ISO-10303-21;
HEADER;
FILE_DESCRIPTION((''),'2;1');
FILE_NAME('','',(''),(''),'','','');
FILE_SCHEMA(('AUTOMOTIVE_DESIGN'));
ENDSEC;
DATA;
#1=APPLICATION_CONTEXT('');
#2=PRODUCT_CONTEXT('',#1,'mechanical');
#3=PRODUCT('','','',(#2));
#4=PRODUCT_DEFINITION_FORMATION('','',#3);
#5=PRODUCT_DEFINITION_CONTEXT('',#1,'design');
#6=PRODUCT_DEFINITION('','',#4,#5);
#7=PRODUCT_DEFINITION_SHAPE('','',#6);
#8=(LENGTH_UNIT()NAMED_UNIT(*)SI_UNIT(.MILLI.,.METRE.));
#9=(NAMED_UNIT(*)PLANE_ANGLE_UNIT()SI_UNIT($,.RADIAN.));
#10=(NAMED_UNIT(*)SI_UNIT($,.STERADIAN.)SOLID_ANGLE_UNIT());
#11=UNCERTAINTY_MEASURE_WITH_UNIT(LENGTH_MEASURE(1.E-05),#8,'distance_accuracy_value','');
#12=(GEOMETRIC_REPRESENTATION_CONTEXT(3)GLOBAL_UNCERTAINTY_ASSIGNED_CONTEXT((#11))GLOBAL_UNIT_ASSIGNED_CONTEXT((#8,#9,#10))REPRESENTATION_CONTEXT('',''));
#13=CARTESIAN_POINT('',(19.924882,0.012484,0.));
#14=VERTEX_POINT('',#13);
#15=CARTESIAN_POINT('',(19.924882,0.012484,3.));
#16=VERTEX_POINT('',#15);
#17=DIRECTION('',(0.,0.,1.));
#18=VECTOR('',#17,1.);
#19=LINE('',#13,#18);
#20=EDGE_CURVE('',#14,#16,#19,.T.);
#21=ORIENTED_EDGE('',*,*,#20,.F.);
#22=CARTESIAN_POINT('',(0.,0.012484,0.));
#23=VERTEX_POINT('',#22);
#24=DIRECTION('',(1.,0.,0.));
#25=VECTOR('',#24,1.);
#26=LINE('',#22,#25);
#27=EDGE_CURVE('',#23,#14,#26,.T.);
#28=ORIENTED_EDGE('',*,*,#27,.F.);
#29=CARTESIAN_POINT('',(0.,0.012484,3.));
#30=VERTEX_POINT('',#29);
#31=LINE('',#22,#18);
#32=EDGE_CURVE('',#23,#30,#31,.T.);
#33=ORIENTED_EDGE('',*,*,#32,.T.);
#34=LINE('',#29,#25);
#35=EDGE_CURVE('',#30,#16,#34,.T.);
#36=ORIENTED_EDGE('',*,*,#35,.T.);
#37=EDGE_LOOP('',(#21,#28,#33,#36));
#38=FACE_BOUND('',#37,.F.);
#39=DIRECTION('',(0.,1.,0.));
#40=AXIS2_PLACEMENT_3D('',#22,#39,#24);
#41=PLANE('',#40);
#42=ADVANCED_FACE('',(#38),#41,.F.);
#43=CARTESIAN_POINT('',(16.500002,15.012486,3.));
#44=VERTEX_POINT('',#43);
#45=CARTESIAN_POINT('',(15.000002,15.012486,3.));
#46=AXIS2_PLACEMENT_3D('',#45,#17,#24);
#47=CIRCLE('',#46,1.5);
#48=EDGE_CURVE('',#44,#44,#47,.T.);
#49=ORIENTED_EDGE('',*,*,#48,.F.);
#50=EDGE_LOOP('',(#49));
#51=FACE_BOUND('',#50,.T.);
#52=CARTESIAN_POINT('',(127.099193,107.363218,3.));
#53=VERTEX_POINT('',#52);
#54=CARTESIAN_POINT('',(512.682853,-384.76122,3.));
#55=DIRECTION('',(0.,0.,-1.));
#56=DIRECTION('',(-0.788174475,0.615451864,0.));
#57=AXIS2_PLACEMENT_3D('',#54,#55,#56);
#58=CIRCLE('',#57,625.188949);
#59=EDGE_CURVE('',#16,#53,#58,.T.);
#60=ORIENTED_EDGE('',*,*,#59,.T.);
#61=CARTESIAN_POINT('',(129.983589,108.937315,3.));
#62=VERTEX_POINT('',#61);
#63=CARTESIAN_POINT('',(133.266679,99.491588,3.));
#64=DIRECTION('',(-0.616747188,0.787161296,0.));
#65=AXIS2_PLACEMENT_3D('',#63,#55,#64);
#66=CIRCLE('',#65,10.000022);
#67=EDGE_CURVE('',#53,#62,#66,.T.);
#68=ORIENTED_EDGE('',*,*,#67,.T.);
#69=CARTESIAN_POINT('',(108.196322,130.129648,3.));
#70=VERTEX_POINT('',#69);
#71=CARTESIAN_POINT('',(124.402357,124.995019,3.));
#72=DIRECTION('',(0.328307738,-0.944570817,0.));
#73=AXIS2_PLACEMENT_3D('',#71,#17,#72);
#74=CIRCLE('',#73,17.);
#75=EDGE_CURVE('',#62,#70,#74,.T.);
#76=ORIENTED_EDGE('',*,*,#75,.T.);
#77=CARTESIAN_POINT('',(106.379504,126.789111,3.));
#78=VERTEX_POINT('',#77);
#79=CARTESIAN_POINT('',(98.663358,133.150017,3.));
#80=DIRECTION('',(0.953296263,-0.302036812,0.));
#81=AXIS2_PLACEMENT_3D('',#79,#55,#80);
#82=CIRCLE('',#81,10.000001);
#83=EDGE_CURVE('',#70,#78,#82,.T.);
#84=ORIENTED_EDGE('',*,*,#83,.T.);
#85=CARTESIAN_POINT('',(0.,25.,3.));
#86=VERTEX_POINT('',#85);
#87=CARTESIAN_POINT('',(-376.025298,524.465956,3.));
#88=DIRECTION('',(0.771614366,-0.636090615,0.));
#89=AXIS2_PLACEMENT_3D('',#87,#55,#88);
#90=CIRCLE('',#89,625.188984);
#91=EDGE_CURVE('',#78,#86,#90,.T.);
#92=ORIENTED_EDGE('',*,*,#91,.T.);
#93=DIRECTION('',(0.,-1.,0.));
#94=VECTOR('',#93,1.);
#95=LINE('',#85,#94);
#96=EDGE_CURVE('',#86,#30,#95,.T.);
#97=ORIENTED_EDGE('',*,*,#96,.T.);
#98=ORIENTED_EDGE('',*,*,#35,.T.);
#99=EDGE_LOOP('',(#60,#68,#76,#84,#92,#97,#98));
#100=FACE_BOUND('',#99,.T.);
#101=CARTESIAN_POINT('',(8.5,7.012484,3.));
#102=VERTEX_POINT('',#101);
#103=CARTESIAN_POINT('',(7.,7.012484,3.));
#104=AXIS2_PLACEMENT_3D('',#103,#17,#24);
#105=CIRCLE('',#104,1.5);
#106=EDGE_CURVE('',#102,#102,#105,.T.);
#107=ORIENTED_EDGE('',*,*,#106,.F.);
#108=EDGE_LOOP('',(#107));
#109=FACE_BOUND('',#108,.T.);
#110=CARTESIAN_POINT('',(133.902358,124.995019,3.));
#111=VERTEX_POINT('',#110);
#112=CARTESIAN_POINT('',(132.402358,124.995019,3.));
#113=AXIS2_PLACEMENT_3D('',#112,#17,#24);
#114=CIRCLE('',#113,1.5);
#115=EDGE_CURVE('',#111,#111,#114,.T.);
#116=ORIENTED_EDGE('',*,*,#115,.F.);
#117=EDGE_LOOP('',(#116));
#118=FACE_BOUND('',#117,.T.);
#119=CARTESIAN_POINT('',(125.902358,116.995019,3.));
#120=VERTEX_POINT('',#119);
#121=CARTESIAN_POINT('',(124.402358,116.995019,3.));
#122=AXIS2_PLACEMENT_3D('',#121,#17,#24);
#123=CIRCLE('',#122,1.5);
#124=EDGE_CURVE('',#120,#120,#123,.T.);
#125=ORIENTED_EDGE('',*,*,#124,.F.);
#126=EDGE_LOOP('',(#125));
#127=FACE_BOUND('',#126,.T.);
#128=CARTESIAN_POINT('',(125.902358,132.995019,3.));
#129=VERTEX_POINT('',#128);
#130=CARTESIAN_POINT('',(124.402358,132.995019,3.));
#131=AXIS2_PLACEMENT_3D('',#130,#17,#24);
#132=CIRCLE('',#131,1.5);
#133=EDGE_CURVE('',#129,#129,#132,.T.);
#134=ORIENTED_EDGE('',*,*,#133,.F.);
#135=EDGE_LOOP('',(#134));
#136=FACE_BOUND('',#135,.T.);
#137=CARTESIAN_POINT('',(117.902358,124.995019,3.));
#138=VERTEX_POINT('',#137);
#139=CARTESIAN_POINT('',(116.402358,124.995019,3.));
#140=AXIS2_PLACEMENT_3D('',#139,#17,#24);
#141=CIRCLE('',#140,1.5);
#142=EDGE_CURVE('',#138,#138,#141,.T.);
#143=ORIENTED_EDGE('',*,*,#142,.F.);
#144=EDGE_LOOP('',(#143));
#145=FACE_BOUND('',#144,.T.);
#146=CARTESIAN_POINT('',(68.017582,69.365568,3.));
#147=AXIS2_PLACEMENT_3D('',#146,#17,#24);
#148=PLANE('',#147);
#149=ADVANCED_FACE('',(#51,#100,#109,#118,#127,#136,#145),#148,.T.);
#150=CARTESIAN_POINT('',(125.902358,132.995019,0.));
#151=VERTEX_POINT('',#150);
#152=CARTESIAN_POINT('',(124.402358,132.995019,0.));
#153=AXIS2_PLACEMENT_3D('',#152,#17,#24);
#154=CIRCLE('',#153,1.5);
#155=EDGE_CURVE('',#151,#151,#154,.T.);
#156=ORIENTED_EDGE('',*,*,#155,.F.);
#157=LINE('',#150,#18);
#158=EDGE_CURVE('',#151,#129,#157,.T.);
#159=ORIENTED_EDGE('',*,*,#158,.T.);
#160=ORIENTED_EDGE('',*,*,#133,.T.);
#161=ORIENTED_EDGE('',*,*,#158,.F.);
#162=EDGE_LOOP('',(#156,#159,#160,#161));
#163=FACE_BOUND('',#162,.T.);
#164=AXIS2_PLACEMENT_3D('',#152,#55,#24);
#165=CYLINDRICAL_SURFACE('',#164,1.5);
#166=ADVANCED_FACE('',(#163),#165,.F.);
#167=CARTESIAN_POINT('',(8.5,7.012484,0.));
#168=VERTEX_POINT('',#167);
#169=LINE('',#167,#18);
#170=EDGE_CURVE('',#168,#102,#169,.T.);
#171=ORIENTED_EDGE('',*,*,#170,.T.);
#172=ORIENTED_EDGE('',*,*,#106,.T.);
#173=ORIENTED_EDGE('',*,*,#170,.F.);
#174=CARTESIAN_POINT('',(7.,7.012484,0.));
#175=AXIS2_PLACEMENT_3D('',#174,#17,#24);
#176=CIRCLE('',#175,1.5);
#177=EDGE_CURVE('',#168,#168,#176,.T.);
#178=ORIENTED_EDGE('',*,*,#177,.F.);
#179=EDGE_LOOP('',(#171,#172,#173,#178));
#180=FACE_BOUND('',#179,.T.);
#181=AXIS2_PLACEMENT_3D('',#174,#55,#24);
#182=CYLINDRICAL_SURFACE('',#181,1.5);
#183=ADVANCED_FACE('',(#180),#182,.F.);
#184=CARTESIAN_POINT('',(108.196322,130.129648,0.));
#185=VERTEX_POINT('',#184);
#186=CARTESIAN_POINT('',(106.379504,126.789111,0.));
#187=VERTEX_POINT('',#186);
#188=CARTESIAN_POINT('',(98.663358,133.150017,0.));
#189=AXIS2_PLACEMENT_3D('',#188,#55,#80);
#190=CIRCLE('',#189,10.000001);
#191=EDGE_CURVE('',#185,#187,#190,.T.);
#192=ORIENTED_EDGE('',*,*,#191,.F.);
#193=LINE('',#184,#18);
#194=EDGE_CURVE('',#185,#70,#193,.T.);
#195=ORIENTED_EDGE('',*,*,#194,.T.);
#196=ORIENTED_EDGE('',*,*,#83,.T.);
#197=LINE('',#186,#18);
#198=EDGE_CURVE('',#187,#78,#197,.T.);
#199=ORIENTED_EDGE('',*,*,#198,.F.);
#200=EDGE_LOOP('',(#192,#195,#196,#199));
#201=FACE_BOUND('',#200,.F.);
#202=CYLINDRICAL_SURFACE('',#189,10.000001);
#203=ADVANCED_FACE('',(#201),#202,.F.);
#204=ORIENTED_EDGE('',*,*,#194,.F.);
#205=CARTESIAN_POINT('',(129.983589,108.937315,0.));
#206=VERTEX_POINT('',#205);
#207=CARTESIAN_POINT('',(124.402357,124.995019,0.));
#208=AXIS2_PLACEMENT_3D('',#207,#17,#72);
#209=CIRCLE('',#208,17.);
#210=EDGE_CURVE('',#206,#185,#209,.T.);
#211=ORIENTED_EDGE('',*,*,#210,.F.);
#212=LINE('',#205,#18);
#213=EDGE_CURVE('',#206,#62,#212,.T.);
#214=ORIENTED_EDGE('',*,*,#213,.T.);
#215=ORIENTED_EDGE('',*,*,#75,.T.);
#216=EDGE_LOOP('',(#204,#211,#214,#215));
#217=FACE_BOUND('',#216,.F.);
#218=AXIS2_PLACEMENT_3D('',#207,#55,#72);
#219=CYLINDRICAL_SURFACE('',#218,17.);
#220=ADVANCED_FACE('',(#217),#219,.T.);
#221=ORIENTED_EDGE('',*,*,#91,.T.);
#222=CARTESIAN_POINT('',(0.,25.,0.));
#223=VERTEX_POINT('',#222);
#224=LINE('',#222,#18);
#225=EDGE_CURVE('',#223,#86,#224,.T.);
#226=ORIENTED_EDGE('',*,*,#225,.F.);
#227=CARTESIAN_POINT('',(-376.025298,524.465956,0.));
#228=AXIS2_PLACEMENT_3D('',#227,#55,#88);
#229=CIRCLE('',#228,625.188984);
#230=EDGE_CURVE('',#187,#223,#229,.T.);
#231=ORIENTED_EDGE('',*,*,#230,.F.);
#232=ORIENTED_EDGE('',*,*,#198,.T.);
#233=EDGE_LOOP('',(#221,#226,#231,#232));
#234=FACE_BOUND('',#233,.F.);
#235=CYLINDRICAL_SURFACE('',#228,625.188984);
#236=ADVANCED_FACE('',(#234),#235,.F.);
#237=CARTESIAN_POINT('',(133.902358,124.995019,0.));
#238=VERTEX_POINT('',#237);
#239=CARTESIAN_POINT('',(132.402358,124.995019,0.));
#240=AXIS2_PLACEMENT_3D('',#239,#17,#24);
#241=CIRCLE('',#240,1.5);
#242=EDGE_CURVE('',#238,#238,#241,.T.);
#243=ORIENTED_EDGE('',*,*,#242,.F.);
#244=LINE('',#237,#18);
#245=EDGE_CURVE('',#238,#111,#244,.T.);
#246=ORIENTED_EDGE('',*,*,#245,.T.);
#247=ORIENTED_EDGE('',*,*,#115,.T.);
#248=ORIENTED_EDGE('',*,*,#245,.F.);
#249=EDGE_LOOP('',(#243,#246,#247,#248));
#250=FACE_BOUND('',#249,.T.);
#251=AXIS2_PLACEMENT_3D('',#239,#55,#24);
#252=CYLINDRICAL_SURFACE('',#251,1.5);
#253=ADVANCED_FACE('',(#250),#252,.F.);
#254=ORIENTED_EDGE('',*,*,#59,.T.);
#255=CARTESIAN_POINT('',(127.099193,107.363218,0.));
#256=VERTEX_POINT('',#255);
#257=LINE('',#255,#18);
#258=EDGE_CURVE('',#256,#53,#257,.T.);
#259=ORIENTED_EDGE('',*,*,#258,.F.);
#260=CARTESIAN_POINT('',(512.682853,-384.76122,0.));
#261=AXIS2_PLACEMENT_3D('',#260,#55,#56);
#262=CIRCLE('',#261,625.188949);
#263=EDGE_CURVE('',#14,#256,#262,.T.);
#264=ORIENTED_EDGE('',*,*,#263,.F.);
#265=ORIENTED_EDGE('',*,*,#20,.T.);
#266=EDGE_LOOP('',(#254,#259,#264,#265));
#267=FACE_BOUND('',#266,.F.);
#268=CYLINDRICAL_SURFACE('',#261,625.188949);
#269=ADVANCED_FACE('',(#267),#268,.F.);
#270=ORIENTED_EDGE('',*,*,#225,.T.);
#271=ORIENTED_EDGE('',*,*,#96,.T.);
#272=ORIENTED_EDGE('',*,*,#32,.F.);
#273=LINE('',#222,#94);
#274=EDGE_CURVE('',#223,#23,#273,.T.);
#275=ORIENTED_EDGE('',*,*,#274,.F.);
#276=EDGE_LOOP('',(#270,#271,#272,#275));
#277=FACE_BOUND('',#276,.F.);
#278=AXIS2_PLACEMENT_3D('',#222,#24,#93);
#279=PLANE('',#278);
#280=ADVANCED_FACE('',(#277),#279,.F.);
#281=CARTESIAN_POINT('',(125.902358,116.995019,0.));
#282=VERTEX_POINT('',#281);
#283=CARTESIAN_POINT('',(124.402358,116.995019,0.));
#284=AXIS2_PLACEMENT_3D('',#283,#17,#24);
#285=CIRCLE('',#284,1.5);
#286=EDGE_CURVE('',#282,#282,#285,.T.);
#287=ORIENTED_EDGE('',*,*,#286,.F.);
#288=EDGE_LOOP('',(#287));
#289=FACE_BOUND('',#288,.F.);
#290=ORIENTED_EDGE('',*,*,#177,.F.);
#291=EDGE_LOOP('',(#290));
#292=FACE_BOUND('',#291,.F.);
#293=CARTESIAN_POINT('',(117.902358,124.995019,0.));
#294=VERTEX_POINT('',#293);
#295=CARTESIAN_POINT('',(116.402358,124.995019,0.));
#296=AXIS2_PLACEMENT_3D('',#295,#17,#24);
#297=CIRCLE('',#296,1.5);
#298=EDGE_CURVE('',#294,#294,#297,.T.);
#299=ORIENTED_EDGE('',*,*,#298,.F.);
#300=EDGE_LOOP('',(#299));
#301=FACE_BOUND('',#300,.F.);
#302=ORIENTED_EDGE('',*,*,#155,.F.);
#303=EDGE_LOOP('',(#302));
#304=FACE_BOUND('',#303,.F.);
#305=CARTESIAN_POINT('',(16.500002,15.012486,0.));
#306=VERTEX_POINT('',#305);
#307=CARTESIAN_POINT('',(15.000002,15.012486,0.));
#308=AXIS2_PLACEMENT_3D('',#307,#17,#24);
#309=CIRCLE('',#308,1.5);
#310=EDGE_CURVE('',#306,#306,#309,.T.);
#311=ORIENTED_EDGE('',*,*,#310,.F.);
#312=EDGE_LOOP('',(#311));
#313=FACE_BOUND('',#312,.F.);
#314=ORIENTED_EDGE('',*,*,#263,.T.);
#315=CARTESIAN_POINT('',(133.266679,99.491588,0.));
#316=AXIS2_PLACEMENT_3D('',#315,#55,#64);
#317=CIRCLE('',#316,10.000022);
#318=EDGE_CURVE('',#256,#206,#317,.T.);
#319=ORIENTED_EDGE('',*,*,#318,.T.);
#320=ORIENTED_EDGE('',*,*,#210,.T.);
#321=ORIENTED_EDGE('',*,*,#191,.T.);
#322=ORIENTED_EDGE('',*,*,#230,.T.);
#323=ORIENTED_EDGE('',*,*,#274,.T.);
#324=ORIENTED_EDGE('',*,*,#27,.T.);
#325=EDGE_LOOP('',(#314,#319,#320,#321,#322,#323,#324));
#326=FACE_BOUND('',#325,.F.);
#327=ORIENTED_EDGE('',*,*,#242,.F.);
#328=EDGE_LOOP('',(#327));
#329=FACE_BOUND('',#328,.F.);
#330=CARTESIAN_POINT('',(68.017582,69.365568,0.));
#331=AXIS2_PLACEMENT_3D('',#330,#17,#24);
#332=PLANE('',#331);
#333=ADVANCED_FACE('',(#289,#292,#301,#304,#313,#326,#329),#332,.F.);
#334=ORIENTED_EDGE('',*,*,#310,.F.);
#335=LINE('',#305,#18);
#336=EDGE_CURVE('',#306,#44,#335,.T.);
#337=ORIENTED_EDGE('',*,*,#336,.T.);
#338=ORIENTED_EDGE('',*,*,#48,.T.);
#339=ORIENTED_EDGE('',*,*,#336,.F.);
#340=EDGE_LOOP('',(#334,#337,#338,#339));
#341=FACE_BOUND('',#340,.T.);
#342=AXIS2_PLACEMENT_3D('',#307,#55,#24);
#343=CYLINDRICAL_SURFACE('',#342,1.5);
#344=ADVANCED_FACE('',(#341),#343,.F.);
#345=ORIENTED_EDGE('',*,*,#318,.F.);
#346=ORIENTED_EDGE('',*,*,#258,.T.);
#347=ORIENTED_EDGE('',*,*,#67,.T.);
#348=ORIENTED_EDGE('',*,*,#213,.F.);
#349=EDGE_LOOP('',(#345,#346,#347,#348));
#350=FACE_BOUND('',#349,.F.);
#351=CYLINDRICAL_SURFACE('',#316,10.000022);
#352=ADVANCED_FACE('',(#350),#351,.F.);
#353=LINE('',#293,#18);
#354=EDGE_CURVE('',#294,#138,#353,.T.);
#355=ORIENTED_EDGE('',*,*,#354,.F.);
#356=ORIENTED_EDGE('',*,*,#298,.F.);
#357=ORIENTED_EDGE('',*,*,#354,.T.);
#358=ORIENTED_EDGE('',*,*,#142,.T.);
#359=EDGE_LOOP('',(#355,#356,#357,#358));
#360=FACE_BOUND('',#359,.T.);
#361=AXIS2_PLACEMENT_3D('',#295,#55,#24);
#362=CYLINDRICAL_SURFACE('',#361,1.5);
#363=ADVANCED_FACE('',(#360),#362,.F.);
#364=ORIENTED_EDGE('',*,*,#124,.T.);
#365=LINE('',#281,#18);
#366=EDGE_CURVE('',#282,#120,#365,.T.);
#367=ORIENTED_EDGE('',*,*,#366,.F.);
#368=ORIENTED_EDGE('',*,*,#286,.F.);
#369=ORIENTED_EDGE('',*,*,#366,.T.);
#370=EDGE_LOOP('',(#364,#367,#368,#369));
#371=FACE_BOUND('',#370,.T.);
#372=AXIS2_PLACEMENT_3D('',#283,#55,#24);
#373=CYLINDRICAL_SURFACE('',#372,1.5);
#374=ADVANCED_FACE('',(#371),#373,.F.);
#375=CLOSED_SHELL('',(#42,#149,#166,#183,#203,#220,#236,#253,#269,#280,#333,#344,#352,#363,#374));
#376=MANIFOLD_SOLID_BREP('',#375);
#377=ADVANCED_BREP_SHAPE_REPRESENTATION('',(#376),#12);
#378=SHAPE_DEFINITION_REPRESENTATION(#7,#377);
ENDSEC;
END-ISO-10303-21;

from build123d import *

# Parameters (mm, degrees)
F0_R     = 1.5
F1_DEPTH = 3


with BuildPart() as f1:
    # F0 (on Top) → F1 (new body)
    with BuildSketch(Plane.XY):
        with BuildLine():
            Line((0, 25), (0, 0.012484))
            Line((0, 0.012484), (19.924882, 0.012484))
            ThreePointArc((19.924882, 0.012484), (70.2441, 56.950418), (127.099193, 107.363218))
            ThreePointArc((127.099193, 107.363218), (128.476294, 108.269552), (129.983589, 108.937315))
            ThreePointArc((129.983589, 108.937315), (136.255642, 137.181062), (108.196322, 130.129648))
            ThreePointArc((108.196322, 130.129648), (107.44816, 128.372226), (106.379504, 126.789111))
            ThreePointArc((106.379504, 126.789111), (56.196653, 72.752052), (0, 25))
        make_face()
        with Locations((7, 7.012484)):
            Circle(F0_R, mode=Mode.SUBTRACT)
        with Locations((15.000002, 15.012486)):
            Circle(F0_R, mode=Mode.SUBTRACT)
        with Locations((124.402358, 116.995019)):
            Circle(F0_R, mode=Mode.SUBTRACT)
        with Locations((116.402358, 124.995019)):
            Circle(F0_R, mode=Mode.SUBTRACT)
        with Locations((132.402358, 124.995019)):
            Circle(F0_R, mode=Mode.SUBTRACT)
        with Locations((124.402358, 132.995019)):
            Circle(F0_R, mode=Mode.SUBTRACT)
    extrude(amount=F1_DEPTH)


solid = f1.part
